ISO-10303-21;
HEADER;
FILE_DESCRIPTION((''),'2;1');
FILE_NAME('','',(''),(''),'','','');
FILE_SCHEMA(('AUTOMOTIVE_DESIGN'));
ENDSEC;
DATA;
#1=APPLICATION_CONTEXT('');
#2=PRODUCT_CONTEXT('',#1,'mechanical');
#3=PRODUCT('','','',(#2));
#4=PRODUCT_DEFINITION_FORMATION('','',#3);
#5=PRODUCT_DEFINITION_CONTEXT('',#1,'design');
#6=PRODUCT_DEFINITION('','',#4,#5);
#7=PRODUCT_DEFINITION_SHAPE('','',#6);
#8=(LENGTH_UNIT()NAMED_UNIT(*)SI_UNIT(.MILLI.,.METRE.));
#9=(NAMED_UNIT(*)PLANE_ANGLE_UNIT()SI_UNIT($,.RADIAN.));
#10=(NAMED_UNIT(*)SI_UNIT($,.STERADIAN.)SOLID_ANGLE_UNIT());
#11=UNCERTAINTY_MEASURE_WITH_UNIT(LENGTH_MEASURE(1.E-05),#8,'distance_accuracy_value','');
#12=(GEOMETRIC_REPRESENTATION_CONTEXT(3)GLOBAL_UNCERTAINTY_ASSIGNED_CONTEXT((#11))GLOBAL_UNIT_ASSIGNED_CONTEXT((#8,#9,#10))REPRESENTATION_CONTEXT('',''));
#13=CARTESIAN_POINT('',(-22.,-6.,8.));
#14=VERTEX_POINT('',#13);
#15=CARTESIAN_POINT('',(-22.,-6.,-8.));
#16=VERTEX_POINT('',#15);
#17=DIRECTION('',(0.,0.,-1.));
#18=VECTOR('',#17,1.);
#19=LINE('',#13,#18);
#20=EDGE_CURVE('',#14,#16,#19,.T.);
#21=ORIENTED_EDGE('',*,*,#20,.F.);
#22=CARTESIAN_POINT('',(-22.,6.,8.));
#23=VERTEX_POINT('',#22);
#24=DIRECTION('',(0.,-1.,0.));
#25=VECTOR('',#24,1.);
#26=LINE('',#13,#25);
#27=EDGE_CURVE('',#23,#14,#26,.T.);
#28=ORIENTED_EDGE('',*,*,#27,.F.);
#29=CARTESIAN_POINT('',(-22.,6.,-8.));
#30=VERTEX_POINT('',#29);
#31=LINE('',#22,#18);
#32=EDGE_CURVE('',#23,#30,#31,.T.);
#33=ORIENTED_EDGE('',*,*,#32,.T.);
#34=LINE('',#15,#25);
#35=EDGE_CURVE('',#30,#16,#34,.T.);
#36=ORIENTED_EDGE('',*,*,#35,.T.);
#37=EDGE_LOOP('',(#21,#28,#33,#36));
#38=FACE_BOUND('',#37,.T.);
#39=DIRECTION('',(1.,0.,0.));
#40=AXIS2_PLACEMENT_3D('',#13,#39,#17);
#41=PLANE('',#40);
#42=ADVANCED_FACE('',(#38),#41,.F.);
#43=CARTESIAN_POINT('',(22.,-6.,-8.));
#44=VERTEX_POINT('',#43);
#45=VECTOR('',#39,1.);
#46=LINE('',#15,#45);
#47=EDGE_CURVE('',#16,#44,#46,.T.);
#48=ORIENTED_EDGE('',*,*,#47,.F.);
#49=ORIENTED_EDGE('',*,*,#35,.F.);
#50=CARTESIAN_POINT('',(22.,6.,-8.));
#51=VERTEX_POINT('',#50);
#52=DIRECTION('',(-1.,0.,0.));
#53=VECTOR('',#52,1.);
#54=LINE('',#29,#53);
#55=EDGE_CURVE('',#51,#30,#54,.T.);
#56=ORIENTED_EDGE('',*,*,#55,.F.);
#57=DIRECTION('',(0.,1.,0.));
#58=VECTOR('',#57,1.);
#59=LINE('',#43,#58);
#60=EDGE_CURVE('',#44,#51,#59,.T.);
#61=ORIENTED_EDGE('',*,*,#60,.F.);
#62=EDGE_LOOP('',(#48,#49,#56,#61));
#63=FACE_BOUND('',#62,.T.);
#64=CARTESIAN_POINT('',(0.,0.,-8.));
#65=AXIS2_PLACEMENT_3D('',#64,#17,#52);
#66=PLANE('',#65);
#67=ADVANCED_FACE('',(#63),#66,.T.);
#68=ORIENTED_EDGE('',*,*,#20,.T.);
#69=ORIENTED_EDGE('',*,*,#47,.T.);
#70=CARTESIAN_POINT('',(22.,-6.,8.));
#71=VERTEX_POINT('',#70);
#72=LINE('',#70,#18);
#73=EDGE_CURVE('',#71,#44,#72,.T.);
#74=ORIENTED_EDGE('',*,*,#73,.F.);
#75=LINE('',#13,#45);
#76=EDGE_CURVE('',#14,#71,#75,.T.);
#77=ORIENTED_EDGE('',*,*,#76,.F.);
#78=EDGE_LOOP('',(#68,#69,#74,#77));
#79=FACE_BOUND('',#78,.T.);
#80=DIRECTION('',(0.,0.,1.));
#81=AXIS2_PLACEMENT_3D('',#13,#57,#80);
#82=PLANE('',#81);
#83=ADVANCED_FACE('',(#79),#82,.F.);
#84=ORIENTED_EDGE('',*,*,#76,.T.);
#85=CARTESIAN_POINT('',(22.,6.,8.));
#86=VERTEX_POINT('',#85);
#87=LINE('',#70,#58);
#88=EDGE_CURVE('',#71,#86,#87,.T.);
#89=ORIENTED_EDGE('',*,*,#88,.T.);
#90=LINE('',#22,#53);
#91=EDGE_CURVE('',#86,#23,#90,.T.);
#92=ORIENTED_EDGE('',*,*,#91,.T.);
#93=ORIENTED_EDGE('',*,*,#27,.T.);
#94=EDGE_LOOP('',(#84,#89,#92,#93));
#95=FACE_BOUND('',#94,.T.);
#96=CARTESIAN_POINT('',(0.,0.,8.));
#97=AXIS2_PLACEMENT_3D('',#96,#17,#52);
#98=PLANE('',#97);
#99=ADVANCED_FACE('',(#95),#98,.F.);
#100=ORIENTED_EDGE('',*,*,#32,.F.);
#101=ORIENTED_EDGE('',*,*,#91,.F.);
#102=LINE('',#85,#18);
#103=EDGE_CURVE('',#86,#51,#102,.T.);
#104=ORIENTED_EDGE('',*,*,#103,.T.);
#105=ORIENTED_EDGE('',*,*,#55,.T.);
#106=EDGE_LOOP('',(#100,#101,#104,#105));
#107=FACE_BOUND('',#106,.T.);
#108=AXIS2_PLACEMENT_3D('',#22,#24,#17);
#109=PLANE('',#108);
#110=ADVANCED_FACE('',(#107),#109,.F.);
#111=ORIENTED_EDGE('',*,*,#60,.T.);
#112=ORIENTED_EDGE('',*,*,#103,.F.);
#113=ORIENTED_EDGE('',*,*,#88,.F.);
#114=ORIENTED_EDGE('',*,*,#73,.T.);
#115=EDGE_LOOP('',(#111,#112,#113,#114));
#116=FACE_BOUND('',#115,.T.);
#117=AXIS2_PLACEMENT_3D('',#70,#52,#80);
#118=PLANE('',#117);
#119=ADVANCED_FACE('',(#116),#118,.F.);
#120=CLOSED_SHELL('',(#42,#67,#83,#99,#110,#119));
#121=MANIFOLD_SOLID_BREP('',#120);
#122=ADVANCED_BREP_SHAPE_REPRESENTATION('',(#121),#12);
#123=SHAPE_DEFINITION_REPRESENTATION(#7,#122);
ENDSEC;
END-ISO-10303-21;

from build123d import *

# Parameters (mm, degrees)
SKETCH_1_W      = 44
SKETCH_1_H      = 12
EXTRUDE_1_DEPTH = 8


with BuildPart() as part:
    # 草图1 → 凸台-拉伸1 (new, symmetric)
    with BuildSketch(Plane.XY):
        Rectangle(SKETCH_1_W, SKETCH_1_H)
    extrude(amount=EXTRUDE_1_DEPTH, both=True)


solid = part.part
